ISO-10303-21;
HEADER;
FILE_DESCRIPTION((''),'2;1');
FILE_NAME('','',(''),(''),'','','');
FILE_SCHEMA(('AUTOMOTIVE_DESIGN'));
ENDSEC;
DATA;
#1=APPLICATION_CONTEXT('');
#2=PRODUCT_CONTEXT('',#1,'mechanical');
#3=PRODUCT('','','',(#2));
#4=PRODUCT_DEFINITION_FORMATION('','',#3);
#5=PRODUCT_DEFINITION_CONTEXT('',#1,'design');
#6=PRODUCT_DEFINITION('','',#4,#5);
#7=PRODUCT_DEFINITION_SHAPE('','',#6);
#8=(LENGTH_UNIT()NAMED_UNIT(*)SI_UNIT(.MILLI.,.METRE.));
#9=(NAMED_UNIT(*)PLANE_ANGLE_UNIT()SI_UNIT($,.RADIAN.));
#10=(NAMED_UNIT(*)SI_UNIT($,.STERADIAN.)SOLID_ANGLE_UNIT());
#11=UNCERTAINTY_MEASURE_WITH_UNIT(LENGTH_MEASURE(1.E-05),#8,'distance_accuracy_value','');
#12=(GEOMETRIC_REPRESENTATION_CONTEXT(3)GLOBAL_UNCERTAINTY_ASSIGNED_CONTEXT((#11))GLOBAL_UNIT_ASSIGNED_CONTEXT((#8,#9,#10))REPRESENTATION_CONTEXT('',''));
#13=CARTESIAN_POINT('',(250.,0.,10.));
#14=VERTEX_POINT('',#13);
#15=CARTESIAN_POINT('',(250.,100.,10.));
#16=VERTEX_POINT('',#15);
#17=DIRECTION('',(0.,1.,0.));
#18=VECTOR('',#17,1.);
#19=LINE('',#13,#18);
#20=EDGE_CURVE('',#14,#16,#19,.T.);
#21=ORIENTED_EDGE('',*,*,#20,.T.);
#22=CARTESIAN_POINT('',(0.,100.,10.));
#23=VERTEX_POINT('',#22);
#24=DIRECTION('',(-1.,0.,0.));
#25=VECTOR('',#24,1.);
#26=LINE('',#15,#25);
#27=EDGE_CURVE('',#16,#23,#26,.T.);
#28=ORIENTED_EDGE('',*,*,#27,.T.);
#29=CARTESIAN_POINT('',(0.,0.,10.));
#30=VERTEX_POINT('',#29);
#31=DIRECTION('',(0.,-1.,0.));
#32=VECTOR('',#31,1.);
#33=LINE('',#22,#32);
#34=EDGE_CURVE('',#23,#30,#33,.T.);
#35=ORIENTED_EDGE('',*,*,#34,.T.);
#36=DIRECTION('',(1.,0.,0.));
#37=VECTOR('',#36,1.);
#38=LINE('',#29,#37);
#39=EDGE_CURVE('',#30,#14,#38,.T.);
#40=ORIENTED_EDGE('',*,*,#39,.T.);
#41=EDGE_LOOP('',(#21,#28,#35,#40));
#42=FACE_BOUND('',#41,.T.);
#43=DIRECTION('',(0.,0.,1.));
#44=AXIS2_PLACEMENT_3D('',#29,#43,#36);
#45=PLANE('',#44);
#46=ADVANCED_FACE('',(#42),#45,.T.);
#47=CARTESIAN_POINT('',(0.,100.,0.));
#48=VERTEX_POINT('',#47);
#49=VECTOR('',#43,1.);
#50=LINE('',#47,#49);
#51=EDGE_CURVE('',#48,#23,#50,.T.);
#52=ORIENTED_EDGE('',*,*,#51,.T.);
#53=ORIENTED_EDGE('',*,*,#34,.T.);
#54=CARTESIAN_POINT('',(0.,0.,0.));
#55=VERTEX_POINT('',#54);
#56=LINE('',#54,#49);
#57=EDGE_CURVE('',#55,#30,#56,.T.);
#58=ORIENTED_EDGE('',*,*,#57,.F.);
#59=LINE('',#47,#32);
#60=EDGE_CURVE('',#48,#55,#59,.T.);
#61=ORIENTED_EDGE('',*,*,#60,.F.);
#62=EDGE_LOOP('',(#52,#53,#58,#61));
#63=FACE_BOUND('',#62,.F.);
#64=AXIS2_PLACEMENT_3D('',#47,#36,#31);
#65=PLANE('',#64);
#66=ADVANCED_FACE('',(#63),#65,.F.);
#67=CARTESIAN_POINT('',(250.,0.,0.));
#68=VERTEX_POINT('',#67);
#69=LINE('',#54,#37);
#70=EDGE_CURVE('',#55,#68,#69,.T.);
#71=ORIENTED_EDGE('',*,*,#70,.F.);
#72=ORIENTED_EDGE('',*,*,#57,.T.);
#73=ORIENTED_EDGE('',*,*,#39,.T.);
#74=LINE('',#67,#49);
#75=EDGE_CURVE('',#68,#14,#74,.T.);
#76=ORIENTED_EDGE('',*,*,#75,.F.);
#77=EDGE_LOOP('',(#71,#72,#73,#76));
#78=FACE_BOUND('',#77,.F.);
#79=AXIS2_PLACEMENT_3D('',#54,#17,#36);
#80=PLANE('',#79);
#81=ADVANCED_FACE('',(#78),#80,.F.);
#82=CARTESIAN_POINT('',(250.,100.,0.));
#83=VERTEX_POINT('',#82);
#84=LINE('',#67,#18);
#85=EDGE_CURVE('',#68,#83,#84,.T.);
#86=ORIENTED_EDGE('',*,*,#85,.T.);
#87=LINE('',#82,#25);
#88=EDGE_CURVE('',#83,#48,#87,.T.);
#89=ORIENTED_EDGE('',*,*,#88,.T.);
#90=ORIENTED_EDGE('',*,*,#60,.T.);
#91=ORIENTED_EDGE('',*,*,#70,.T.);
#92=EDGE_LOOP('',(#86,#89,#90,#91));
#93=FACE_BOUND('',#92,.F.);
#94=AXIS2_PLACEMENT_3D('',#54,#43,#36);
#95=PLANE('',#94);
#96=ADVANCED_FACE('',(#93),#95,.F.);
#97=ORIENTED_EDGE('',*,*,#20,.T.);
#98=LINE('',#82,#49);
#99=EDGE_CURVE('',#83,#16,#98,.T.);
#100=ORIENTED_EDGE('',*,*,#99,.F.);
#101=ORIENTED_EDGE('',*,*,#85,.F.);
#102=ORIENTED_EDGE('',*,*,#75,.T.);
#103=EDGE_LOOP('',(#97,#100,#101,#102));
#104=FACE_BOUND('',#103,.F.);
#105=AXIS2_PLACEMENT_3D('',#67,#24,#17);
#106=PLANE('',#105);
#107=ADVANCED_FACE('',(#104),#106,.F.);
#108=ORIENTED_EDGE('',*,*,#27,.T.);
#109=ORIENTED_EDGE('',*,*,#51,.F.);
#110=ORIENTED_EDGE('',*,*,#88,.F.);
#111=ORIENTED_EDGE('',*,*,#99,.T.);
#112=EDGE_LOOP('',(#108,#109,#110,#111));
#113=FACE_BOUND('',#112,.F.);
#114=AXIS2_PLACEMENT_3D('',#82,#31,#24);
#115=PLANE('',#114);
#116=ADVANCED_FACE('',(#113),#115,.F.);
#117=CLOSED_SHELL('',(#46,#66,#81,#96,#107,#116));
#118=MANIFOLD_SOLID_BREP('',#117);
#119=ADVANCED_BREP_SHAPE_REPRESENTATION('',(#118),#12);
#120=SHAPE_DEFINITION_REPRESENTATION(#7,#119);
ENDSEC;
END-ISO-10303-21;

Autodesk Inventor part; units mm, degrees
ref_plane "YZ Plane" through (0, 0, 0) normal (1, 0, 0) x (0, 1, 0)
ref_plane "XZ Plane" through (0, 0, 0) normal (0, 1, 0) x (-1, 0, 0)
ref_plane "XY Plane" through (0, 0, 0) normal (0, 0, 1) x (1, 0, 0)
sketch "Sketch1" plane through (0, 0, 0) normal (0, 0, 1) x (1, 0, 0)
  line L0 (0, 0) -> (250, 0)
  line L1 (250, 0) -> (250, 100)
  line L2 (250, 100) -> (0, 100)
  line L3 (0, 100) -> (0, 0)
  dimension "d0" = 250
  dimension "d1" = 100
extrude "Extrusion1" add sketch "Sketch1" along normal blind 10
properties part number "team29_box1"
